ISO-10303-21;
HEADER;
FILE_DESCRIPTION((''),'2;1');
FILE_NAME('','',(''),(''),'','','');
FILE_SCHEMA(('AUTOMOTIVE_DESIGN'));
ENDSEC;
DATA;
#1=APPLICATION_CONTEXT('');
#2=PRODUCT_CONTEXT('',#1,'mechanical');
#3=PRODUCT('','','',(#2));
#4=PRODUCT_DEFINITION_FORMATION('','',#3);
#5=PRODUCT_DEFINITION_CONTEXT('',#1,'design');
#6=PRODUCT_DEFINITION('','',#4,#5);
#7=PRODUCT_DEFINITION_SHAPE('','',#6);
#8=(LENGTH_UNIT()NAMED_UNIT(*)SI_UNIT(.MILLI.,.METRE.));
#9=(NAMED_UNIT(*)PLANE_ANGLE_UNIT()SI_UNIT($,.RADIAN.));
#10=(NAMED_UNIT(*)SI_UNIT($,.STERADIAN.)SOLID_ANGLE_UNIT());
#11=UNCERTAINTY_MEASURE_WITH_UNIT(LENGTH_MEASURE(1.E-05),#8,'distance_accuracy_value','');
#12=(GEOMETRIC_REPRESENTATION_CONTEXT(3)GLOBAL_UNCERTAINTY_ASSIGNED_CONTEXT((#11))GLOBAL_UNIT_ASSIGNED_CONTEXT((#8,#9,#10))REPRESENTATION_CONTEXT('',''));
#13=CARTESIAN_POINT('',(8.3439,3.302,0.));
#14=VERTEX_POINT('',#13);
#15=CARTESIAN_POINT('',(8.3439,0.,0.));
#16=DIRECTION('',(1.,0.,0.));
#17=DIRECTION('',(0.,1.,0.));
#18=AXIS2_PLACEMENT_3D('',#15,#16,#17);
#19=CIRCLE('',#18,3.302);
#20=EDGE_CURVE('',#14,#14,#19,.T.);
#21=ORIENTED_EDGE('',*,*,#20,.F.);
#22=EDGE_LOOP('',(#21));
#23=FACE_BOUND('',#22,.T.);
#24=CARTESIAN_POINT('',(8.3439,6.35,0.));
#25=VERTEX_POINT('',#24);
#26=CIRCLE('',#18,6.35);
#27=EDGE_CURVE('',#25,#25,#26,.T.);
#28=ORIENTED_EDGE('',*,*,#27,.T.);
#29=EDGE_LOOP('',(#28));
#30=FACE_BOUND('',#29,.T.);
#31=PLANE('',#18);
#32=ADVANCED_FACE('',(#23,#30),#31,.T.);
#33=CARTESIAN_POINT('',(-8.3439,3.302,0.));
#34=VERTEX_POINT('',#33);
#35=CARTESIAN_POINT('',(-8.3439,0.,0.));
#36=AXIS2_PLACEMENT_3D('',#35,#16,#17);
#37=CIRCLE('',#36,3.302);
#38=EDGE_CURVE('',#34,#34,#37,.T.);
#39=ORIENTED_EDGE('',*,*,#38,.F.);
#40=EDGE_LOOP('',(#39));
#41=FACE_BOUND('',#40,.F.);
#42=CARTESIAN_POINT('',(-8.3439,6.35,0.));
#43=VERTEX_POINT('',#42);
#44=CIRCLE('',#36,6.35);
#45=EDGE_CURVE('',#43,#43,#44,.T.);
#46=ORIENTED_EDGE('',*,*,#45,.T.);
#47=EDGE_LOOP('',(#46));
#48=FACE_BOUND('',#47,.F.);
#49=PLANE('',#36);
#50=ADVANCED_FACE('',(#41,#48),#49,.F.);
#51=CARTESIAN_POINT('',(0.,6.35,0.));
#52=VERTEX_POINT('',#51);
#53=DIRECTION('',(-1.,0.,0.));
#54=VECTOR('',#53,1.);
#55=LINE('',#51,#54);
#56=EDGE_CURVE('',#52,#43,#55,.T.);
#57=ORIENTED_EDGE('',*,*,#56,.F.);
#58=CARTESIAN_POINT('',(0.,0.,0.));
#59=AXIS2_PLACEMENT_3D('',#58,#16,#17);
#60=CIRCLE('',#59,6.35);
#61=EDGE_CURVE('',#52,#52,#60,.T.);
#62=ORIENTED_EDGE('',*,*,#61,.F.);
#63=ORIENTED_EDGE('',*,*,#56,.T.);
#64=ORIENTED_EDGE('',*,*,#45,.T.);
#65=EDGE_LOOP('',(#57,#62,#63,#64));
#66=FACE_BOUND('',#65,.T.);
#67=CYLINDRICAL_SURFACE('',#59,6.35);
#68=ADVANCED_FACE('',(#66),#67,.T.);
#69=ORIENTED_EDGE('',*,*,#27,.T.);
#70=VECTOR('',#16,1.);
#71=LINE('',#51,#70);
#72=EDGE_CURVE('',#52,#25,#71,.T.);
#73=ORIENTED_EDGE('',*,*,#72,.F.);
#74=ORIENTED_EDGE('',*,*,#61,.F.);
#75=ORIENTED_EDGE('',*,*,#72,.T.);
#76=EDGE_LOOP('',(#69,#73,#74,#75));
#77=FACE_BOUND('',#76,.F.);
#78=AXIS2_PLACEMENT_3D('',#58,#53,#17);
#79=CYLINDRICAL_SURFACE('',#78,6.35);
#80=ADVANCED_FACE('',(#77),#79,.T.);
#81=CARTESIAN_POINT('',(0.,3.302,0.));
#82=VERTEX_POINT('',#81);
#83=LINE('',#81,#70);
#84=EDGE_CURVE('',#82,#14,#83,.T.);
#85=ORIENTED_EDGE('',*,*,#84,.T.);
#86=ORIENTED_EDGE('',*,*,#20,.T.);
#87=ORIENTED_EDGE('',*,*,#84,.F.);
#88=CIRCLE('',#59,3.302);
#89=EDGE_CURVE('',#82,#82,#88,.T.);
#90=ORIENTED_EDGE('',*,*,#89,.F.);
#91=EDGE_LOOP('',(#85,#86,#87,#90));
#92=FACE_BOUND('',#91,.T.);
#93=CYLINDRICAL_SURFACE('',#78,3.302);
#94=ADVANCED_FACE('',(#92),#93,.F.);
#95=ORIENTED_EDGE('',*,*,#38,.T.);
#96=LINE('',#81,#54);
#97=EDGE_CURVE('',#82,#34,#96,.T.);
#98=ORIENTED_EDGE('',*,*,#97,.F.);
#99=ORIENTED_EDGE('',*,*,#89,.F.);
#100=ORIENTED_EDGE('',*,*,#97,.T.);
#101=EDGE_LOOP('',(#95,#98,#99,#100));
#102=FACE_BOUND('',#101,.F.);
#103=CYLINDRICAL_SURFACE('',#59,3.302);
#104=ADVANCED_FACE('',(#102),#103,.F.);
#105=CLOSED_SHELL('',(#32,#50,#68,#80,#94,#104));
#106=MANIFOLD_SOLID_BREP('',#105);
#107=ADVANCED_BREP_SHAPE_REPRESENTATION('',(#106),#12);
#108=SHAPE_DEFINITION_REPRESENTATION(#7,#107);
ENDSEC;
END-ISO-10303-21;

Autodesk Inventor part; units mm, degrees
ref_plane "YZ Plane" through (0, 0, 0) normal (1, 0, 0) x (0, 1, 0)
ref_plane "XZ Plane" through (0, 0, 0) normal (0, 1, 0) x (-1, 0, 0)
ref_plane "XY Plane" through (0, 0, 0) normal (0, 0, 1) x (1, 0, 0)
sketch "Sketch1" plane through (0, 0, 0) normal (1, 0, 0) x (0, 1, 0)
  circle A0 centre (0, 0) radius 3.302
  circle A1 centre (0, 0) radius 6.35
  dimension "d0" = 6.604
  dimension "d1" = 12.7
extrude "Extrusion1" add sketch "Sketch1" along normal mid plane 16.6878
properties part number "first stage spacer" material "Aluminum 6061"
